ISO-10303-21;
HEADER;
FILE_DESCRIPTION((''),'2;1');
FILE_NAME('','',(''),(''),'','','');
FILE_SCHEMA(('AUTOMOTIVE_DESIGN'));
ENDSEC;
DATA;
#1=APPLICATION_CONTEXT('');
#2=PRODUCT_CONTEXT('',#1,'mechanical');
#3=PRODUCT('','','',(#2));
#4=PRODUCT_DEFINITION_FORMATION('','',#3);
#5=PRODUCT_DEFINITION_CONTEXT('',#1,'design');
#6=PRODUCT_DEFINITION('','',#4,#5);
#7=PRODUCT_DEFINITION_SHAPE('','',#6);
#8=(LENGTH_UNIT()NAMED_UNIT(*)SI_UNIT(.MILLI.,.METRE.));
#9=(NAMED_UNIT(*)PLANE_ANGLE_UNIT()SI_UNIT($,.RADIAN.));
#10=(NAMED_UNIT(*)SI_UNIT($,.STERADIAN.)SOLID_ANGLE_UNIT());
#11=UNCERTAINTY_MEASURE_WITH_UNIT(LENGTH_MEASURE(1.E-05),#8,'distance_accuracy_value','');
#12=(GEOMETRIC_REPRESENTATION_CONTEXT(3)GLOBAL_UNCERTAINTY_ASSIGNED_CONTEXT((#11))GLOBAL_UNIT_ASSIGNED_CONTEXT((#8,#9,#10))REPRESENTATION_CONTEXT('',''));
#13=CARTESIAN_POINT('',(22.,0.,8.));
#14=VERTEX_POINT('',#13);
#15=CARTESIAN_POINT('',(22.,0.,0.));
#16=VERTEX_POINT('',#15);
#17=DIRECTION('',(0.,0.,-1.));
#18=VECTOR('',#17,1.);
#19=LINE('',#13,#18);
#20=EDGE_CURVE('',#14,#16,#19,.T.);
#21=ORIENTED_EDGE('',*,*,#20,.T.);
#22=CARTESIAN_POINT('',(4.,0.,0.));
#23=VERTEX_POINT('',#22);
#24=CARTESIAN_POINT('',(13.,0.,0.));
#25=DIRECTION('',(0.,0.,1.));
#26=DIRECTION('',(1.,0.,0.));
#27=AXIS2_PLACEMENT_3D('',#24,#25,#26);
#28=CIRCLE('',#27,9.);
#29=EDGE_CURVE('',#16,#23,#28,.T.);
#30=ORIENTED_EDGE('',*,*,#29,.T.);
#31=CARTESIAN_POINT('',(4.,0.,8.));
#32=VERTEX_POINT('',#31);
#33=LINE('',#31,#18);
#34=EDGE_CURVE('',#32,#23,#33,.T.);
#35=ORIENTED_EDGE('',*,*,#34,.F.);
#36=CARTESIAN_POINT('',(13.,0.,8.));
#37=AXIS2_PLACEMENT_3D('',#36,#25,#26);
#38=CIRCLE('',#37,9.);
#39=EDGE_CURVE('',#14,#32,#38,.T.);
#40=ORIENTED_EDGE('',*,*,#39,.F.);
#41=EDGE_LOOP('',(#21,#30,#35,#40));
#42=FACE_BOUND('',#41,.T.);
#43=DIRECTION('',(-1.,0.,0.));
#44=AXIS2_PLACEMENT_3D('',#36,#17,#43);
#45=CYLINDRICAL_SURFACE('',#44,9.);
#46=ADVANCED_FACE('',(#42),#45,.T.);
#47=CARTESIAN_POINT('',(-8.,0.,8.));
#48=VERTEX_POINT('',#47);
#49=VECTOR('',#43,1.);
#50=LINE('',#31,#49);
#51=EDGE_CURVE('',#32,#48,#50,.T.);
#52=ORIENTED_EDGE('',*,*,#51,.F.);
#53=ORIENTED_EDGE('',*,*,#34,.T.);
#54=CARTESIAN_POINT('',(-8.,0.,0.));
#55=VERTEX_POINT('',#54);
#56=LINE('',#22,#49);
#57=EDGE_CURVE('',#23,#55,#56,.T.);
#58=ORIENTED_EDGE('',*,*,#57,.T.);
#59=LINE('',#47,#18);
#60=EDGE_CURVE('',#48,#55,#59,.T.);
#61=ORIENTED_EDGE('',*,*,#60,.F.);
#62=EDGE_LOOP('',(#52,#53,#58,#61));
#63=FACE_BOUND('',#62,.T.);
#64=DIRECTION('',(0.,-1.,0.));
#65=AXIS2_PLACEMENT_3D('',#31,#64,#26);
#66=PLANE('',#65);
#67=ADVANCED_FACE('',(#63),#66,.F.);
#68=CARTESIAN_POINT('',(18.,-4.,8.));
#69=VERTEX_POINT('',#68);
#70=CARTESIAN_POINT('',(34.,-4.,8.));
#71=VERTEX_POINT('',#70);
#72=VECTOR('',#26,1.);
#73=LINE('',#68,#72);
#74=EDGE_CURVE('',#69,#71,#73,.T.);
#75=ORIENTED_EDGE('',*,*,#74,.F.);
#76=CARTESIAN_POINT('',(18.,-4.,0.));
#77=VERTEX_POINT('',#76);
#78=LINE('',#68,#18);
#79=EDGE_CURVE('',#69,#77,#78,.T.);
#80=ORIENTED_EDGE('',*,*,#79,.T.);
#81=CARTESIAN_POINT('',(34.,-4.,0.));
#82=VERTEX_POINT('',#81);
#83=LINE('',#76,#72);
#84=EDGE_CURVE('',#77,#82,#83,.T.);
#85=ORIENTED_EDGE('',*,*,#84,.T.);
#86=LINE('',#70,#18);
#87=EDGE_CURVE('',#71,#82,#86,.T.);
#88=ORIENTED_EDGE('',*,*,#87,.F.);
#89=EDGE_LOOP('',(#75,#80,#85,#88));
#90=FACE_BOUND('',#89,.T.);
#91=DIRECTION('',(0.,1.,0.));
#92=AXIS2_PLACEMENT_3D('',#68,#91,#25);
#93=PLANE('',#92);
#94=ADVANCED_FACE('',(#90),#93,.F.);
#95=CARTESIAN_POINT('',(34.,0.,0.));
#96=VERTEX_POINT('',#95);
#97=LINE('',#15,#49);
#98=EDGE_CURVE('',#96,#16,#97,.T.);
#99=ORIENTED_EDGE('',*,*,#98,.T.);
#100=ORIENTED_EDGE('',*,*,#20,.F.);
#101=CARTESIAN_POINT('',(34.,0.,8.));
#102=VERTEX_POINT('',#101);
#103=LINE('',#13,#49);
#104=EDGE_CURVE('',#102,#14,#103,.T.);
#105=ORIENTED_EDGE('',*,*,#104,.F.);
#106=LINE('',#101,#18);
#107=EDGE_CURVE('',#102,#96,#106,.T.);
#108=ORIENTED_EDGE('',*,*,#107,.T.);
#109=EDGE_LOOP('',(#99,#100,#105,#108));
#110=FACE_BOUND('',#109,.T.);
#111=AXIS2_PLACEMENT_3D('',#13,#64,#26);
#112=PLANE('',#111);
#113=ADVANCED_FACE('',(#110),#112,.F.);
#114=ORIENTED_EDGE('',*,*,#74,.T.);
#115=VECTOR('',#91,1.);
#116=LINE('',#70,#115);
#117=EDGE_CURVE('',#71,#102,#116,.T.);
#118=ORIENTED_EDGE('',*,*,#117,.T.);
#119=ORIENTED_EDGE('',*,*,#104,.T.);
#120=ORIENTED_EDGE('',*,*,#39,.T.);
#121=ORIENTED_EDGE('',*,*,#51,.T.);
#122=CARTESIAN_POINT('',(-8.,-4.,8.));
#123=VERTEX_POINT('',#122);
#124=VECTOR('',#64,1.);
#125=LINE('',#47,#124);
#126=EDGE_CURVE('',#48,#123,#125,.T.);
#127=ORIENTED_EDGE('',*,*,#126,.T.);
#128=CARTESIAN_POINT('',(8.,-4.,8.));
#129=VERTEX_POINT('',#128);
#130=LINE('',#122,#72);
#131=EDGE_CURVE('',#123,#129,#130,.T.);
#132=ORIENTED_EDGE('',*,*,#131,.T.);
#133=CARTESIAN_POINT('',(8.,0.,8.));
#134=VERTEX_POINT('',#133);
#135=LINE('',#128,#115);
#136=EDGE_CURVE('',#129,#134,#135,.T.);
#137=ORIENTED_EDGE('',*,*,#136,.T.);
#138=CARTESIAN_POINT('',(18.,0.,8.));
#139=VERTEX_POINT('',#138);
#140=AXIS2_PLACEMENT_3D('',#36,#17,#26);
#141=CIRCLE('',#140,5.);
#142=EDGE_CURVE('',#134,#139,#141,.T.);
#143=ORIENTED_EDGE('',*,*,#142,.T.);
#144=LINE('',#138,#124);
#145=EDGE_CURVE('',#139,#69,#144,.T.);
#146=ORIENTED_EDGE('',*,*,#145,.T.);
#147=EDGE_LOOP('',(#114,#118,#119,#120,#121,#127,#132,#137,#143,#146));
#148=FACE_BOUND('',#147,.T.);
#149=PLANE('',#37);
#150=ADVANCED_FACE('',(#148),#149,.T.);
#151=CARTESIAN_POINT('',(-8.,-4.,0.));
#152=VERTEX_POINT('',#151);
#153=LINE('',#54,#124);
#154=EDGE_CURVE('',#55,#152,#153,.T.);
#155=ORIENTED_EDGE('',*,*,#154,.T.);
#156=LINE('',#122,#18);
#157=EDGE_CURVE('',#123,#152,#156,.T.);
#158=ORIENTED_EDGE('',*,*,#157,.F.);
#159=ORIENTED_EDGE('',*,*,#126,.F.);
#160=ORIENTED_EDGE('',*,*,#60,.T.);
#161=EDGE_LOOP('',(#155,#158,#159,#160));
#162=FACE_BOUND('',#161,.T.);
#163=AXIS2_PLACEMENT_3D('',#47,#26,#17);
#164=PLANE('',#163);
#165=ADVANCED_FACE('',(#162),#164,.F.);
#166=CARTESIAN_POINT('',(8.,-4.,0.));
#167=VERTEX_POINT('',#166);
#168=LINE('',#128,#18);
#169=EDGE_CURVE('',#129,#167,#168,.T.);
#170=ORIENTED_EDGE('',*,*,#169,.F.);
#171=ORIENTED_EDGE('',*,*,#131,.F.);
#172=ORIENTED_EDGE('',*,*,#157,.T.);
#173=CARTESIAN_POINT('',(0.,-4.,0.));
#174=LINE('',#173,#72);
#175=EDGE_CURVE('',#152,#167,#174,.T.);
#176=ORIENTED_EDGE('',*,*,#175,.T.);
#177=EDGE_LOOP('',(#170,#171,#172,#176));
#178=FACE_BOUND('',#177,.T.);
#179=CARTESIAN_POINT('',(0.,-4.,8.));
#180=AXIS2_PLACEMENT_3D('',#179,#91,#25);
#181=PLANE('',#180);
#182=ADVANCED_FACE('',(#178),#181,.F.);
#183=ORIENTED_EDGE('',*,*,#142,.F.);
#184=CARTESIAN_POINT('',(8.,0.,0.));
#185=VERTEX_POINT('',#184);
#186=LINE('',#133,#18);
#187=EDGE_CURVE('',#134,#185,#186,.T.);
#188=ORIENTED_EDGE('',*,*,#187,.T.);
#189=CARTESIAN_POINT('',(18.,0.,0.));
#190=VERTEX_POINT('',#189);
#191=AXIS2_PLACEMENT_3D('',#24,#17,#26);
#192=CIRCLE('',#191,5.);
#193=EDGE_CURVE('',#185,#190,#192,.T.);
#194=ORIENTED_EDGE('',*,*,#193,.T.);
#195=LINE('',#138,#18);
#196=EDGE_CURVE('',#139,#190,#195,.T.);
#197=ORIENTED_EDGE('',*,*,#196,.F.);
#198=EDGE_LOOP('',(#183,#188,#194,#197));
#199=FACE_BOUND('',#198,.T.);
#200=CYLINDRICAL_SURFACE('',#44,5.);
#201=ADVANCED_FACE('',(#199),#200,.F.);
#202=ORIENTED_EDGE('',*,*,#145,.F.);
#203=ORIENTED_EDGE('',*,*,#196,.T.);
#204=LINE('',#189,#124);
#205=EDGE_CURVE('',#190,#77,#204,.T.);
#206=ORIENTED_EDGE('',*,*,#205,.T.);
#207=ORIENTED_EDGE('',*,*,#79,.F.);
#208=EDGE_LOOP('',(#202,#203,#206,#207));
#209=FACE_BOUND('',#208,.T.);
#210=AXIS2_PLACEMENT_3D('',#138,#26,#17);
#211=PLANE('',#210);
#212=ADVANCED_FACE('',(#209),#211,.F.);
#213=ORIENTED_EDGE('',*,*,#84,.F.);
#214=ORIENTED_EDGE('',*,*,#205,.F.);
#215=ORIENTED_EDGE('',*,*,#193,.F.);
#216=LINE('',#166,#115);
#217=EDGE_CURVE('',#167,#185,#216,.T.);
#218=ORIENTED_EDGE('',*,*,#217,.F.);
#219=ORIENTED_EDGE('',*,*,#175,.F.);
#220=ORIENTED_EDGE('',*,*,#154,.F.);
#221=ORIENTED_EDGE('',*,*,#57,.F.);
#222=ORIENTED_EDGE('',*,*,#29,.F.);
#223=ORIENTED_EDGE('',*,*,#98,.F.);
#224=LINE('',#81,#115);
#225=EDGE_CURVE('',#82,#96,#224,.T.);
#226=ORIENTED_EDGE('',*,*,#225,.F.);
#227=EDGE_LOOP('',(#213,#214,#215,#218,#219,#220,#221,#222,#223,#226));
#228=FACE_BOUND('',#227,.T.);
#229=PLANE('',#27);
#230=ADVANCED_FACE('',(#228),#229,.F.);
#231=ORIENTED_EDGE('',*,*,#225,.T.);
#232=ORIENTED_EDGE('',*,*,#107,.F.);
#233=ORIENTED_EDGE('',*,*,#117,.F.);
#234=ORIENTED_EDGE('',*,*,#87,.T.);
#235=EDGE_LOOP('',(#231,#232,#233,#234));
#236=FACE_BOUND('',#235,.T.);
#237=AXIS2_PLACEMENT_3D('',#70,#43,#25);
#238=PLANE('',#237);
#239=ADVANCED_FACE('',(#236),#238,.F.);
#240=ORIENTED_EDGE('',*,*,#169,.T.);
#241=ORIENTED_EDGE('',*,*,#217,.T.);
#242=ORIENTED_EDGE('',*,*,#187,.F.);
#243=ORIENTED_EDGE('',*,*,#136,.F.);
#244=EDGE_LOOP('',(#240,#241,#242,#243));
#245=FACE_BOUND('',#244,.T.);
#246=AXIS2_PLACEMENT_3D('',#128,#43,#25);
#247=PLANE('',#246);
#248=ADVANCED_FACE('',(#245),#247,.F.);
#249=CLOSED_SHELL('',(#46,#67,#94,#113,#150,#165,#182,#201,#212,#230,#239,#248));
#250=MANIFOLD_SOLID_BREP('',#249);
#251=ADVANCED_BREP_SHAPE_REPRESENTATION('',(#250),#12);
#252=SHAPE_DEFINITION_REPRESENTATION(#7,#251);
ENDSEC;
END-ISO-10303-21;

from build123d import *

# Parameters (mm, degrees)
BOSS_EXTRUDE1_DEPTH = 8


with BuildPart() as part:
    # Sketch2 → Boss-Extrude1 (new body)
    with BuildSketch(Plane.XY):
        with BuildLine():
            Line((0, -4), (8, -4))
            Line((8, -4), (8, 0))
            ThreePointArc((8, 0), (13, 5), (18, 0))
            Line((18, 0), (18, -4))
            Line((18, -4), (34, -4))
            Line((34, -4), (34, 0))
            Line((34, 0), (22, 0))
            ThreePointArc((22, 0), (13, 9), (4, 0))
            Line((4, 0), (-8, 0))
            Line((-8, 0), (-8, -4))
            Line((-8, -4), (0, -4))
        make_face()
    extrude(amount=BOSS_EXTRUDE1_DEPTH)


solid = part.part
